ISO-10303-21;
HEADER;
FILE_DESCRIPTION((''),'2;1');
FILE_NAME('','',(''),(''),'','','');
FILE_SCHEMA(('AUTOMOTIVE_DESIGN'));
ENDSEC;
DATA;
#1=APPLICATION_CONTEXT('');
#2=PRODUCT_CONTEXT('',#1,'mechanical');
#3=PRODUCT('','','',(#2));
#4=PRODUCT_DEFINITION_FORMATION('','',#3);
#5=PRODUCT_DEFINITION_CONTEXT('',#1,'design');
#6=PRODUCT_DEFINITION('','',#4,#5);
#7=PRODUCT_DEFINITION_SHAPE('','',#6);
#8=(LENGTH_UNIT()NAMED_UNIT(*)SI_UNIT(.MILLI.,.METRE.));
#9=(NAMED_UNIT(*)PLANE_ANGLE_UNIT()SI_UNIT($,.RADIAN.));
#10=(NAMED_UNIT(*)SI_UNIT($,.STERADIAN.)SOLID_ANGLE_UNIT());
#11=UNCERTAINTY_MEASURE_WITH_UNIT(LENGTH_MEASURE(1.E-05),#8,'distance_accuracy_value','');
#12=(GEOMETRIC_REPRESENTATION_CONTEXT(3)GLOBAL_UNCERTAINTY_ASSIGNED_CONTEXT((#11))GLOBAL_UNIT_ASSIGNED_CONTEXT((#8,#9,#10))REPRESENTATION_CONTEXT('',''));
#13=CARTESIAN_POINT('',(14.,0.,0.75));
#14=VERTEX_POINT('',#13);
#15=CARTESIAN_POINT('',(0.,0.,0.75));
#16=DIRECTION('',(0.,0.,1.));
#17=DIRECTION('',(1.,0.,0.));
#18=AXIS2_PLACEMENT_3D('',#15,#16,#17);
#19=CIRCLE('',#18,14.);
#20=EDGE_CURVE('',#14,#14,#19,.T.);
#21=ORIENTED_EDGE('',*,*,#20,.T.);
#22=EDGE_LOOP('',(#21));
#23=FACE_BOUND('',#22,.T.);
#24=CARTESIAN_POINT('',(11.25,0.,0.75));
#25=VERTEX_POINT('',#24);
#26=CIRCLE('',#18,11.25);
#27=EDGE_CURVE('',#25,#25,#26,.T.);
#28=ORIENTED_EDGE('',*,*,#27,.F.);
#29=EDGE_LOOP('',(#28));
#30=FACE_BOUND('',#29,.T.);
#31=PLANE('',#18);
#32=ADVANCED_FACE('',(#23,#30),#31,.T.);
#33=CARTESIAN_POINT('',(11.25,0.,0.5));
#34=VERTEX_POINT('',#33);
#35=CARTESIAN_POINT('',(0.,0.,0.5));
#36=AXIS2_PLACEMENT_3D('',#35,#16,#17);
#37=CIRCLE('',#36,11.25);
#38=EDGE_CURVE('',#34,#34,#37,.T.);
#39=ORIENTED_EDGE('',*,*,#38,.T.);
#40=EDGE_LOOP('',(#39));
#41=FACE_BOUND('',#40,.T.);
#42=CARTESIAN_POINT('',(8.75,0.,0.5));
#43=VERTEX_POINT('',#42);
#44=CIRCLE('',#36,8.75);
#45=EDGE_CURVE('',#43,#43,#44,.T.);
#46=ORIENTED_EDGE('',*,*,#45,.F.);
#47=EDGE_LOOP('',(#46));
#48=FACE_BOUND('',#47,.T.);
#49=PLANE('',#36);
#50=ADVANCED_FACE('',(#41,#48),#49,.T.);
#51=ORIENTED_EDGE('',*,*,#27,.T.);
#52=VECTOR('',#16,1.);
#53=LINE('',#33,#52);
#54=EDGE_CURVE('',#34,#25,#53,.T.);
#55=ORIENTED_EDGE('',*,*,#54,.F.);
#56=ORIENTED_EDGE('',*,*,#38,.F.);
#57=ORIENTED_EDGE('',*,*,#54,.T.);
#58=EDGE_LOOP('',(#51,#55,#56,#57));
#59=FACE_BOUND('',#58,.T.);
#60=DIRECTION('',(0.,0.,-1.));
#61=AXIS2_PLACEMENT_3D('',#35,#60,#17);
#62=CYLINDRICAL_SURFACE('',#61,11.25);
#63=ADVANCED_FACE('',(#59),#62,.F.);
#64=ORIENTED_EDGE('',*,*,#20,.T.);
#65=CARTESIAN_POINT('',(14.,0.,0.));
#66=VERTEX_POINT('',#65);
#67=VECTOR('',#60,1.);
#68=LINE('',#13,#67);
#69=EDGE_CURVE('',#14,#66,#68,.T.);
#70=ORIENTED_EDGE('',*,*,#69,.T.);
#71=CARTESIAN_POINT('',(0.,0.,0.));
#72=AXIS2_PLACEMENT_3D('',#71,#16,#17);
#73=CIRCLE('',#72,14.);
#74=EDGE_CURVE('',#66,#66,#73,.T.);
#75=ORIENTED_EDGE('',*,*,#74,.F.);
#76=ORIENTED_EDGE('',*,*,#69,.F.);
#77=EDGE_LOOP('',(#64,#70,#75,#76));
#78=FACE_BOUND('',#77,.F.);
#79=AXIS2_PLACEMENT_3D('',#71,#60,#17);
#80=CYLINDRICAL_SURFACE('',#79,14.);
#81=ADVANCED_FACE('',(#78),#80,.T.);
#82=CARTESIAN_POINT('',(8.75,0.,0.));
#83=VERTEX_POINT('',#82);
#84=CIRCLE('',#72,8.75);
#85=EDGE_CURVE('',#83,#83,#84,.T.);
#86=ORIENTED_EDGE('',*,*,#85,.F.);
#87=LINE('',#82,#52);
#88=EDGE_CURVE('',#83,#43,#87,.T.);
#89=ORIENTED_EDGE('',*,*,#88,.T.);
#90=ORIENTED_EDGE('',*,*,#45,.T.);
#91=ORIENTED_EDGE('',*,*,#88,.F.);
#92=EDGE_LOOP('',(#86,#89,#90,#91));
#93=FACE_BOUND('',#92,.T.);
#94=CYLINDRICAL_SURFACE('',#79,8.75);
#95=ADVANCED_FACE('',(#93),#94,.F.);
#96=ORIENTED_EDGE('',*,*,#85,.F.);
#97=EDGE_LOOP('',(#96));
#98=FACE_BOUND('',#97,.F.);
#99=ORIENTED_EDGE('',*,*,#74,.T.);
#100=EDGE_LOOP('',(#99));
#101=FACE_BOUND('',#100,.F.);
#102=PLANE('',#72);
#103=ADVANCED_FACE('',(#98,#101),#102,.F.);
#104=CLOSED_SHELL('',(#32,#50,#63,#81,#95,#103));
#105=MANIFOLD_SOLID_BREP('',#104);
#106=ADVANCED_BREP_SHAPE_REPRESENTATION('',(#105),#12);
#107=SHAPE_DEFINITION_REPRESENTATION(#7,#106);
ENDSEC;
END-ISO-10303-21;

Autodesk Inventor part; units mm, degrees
ref_plane "YZ Plane" through (0, 0, 0) normal (1, 0, 0) x (0, 1, 0)
ref_plane "XZ Plane" through (0, 0, 0) normal (0, 1, 0) x (-1, 0, 0)
ref_plane "XY Plane" through (0, 0, 0) normal (0, 0, 1) x (1, 0, 0)
sketch "Sketch1" plane through (0, 0, 0) normal (0, 0, 1) x (1, 0, 0)
  circle A0 centre (0, 0) radius 8.75
  circle A1 centre (0, 0) radius 14
  dimension "d0" = 17.5
  dimension "d1" = 28
extrude "Extrusion1" add sketch "Sketch1" along normal blind 0.5
sketch "Sketch2" plane through (0, 0, 0.5) normal (0, 0, 1) x (1, 0, 0)
  circle A0 centre (0, 0) radius 14 projected
  circle A1 centre (0, 0) radius 11.25
  dimension "d7" = 22.5
extrude "Extrusion2" add sketch "Sketch2" along normal blind 0.25
properties part number "BearingRim"
